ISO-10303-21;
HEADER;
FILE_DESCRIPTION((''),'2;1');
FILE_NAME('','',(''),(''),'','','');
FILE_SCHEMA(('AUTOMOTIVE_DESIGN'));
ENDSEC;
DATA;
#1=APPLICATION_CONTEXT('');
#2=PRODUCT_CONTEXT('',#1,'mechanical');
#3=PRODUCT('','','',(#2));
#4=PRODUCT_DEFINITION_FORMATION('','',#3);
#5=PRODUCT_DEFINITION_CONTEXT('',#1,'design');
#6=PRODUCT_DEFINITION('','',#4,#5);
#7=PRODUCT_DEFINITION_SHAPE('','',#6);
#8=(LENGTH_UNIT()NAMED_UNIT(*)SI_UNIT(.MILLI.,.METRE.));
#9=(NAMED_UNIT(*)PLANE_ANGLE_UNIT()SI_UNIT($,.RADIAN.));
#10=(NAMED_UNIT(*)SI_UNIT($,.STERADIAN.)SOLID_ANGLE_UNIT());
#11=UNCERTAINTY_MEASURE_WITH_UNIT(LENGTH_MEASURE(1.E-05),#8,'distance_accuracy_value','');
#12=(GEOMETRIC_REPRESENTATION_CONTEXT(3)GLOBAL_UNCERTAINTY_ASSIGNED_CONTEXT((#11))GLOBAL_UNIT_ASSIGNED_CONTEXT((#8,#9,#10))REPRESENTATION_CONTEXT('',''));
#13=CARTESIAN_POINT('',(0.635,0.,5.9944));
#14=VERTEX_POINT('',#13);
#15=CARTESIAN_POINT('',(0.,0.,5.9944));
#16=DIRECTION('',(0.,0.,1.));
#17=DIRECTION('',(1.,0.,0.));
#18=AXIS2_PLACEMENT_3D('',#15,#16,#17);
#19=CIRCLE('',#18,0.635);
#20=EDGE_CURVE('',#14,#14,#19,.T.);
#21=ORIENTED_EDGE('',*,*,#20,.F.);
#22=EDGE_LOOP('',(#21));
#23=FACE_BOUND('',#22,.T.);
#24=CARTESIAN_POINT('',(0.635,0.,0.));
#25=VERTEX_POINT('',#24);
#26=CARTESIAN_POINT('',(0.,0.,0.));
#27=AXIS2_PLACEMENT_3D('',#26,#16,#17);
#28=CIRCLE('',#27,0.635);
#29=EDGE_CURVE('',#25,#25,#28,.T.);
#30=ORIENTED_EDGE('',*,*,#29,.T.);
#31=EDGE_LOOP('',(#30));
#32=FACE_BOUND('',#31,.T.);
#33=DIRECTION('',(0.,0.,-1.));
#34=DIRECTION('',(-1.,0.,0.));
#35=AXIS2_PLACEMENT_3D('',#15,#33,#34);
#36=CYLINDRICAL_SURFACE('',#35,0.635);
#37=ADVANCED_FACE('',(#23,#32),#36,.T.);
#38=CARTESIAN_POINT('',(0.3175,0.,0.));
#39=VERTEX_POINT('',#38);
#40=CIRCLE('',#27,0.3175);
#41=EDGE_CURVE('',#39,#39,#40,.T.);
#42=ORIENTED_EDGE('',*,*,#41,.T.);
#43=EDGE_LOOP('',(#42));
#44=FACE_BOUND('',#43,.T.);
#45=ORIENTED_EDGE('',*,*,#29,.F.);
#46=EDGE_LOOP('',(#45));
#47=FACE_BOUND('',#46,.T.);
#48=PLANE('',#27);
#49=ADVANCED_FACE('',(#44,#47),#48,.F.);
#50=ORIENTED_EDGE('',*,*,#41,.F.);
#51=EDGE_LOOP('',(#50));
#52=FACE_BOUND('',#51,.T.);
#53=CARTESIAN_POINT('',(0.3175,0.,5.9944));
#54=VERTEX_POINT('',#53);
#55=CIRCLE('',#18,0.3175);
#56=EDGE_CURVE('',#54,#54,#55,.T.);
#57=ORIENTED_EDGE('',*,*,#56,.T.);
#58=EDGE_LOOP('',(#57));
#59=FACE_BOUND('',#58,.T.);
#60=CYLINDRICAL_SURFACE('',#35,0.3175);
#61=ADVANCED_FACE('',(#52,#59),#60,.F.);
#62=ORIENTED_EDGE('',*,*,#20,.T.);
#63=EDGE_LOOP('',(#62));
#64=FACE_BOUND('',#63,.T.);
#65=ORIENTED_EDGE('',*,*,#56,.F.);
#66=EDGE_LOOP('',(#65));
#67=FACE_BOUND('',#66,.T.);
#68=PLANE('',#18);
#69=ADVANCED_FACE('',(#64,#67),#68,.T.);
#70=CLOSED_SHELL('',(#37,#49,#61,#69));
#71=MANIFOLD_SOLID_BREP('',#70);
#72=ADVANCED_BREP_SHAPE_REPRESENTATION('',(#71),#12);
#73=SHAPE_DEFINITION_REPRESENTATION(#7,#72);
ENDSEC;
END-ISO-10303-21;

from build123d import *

# Parameters (mm, degrees)
SKETCH1_R      = 0.635
SKETCH1_R_2    = 0.3175
EXTRUDE1_DEPTH = 5.9944


with BuildPart() as part:
    # Sketch1 → Extrude1 (new body)
    with BuildSketch(Plane.XY):
        Circle(SKETCH1_R)
        Circle(SKETCH1_R_2, mode=Mode.SUBTRACT)
    extrude(amount=EXTRUDE1_DEPTH)


solid = part.part
